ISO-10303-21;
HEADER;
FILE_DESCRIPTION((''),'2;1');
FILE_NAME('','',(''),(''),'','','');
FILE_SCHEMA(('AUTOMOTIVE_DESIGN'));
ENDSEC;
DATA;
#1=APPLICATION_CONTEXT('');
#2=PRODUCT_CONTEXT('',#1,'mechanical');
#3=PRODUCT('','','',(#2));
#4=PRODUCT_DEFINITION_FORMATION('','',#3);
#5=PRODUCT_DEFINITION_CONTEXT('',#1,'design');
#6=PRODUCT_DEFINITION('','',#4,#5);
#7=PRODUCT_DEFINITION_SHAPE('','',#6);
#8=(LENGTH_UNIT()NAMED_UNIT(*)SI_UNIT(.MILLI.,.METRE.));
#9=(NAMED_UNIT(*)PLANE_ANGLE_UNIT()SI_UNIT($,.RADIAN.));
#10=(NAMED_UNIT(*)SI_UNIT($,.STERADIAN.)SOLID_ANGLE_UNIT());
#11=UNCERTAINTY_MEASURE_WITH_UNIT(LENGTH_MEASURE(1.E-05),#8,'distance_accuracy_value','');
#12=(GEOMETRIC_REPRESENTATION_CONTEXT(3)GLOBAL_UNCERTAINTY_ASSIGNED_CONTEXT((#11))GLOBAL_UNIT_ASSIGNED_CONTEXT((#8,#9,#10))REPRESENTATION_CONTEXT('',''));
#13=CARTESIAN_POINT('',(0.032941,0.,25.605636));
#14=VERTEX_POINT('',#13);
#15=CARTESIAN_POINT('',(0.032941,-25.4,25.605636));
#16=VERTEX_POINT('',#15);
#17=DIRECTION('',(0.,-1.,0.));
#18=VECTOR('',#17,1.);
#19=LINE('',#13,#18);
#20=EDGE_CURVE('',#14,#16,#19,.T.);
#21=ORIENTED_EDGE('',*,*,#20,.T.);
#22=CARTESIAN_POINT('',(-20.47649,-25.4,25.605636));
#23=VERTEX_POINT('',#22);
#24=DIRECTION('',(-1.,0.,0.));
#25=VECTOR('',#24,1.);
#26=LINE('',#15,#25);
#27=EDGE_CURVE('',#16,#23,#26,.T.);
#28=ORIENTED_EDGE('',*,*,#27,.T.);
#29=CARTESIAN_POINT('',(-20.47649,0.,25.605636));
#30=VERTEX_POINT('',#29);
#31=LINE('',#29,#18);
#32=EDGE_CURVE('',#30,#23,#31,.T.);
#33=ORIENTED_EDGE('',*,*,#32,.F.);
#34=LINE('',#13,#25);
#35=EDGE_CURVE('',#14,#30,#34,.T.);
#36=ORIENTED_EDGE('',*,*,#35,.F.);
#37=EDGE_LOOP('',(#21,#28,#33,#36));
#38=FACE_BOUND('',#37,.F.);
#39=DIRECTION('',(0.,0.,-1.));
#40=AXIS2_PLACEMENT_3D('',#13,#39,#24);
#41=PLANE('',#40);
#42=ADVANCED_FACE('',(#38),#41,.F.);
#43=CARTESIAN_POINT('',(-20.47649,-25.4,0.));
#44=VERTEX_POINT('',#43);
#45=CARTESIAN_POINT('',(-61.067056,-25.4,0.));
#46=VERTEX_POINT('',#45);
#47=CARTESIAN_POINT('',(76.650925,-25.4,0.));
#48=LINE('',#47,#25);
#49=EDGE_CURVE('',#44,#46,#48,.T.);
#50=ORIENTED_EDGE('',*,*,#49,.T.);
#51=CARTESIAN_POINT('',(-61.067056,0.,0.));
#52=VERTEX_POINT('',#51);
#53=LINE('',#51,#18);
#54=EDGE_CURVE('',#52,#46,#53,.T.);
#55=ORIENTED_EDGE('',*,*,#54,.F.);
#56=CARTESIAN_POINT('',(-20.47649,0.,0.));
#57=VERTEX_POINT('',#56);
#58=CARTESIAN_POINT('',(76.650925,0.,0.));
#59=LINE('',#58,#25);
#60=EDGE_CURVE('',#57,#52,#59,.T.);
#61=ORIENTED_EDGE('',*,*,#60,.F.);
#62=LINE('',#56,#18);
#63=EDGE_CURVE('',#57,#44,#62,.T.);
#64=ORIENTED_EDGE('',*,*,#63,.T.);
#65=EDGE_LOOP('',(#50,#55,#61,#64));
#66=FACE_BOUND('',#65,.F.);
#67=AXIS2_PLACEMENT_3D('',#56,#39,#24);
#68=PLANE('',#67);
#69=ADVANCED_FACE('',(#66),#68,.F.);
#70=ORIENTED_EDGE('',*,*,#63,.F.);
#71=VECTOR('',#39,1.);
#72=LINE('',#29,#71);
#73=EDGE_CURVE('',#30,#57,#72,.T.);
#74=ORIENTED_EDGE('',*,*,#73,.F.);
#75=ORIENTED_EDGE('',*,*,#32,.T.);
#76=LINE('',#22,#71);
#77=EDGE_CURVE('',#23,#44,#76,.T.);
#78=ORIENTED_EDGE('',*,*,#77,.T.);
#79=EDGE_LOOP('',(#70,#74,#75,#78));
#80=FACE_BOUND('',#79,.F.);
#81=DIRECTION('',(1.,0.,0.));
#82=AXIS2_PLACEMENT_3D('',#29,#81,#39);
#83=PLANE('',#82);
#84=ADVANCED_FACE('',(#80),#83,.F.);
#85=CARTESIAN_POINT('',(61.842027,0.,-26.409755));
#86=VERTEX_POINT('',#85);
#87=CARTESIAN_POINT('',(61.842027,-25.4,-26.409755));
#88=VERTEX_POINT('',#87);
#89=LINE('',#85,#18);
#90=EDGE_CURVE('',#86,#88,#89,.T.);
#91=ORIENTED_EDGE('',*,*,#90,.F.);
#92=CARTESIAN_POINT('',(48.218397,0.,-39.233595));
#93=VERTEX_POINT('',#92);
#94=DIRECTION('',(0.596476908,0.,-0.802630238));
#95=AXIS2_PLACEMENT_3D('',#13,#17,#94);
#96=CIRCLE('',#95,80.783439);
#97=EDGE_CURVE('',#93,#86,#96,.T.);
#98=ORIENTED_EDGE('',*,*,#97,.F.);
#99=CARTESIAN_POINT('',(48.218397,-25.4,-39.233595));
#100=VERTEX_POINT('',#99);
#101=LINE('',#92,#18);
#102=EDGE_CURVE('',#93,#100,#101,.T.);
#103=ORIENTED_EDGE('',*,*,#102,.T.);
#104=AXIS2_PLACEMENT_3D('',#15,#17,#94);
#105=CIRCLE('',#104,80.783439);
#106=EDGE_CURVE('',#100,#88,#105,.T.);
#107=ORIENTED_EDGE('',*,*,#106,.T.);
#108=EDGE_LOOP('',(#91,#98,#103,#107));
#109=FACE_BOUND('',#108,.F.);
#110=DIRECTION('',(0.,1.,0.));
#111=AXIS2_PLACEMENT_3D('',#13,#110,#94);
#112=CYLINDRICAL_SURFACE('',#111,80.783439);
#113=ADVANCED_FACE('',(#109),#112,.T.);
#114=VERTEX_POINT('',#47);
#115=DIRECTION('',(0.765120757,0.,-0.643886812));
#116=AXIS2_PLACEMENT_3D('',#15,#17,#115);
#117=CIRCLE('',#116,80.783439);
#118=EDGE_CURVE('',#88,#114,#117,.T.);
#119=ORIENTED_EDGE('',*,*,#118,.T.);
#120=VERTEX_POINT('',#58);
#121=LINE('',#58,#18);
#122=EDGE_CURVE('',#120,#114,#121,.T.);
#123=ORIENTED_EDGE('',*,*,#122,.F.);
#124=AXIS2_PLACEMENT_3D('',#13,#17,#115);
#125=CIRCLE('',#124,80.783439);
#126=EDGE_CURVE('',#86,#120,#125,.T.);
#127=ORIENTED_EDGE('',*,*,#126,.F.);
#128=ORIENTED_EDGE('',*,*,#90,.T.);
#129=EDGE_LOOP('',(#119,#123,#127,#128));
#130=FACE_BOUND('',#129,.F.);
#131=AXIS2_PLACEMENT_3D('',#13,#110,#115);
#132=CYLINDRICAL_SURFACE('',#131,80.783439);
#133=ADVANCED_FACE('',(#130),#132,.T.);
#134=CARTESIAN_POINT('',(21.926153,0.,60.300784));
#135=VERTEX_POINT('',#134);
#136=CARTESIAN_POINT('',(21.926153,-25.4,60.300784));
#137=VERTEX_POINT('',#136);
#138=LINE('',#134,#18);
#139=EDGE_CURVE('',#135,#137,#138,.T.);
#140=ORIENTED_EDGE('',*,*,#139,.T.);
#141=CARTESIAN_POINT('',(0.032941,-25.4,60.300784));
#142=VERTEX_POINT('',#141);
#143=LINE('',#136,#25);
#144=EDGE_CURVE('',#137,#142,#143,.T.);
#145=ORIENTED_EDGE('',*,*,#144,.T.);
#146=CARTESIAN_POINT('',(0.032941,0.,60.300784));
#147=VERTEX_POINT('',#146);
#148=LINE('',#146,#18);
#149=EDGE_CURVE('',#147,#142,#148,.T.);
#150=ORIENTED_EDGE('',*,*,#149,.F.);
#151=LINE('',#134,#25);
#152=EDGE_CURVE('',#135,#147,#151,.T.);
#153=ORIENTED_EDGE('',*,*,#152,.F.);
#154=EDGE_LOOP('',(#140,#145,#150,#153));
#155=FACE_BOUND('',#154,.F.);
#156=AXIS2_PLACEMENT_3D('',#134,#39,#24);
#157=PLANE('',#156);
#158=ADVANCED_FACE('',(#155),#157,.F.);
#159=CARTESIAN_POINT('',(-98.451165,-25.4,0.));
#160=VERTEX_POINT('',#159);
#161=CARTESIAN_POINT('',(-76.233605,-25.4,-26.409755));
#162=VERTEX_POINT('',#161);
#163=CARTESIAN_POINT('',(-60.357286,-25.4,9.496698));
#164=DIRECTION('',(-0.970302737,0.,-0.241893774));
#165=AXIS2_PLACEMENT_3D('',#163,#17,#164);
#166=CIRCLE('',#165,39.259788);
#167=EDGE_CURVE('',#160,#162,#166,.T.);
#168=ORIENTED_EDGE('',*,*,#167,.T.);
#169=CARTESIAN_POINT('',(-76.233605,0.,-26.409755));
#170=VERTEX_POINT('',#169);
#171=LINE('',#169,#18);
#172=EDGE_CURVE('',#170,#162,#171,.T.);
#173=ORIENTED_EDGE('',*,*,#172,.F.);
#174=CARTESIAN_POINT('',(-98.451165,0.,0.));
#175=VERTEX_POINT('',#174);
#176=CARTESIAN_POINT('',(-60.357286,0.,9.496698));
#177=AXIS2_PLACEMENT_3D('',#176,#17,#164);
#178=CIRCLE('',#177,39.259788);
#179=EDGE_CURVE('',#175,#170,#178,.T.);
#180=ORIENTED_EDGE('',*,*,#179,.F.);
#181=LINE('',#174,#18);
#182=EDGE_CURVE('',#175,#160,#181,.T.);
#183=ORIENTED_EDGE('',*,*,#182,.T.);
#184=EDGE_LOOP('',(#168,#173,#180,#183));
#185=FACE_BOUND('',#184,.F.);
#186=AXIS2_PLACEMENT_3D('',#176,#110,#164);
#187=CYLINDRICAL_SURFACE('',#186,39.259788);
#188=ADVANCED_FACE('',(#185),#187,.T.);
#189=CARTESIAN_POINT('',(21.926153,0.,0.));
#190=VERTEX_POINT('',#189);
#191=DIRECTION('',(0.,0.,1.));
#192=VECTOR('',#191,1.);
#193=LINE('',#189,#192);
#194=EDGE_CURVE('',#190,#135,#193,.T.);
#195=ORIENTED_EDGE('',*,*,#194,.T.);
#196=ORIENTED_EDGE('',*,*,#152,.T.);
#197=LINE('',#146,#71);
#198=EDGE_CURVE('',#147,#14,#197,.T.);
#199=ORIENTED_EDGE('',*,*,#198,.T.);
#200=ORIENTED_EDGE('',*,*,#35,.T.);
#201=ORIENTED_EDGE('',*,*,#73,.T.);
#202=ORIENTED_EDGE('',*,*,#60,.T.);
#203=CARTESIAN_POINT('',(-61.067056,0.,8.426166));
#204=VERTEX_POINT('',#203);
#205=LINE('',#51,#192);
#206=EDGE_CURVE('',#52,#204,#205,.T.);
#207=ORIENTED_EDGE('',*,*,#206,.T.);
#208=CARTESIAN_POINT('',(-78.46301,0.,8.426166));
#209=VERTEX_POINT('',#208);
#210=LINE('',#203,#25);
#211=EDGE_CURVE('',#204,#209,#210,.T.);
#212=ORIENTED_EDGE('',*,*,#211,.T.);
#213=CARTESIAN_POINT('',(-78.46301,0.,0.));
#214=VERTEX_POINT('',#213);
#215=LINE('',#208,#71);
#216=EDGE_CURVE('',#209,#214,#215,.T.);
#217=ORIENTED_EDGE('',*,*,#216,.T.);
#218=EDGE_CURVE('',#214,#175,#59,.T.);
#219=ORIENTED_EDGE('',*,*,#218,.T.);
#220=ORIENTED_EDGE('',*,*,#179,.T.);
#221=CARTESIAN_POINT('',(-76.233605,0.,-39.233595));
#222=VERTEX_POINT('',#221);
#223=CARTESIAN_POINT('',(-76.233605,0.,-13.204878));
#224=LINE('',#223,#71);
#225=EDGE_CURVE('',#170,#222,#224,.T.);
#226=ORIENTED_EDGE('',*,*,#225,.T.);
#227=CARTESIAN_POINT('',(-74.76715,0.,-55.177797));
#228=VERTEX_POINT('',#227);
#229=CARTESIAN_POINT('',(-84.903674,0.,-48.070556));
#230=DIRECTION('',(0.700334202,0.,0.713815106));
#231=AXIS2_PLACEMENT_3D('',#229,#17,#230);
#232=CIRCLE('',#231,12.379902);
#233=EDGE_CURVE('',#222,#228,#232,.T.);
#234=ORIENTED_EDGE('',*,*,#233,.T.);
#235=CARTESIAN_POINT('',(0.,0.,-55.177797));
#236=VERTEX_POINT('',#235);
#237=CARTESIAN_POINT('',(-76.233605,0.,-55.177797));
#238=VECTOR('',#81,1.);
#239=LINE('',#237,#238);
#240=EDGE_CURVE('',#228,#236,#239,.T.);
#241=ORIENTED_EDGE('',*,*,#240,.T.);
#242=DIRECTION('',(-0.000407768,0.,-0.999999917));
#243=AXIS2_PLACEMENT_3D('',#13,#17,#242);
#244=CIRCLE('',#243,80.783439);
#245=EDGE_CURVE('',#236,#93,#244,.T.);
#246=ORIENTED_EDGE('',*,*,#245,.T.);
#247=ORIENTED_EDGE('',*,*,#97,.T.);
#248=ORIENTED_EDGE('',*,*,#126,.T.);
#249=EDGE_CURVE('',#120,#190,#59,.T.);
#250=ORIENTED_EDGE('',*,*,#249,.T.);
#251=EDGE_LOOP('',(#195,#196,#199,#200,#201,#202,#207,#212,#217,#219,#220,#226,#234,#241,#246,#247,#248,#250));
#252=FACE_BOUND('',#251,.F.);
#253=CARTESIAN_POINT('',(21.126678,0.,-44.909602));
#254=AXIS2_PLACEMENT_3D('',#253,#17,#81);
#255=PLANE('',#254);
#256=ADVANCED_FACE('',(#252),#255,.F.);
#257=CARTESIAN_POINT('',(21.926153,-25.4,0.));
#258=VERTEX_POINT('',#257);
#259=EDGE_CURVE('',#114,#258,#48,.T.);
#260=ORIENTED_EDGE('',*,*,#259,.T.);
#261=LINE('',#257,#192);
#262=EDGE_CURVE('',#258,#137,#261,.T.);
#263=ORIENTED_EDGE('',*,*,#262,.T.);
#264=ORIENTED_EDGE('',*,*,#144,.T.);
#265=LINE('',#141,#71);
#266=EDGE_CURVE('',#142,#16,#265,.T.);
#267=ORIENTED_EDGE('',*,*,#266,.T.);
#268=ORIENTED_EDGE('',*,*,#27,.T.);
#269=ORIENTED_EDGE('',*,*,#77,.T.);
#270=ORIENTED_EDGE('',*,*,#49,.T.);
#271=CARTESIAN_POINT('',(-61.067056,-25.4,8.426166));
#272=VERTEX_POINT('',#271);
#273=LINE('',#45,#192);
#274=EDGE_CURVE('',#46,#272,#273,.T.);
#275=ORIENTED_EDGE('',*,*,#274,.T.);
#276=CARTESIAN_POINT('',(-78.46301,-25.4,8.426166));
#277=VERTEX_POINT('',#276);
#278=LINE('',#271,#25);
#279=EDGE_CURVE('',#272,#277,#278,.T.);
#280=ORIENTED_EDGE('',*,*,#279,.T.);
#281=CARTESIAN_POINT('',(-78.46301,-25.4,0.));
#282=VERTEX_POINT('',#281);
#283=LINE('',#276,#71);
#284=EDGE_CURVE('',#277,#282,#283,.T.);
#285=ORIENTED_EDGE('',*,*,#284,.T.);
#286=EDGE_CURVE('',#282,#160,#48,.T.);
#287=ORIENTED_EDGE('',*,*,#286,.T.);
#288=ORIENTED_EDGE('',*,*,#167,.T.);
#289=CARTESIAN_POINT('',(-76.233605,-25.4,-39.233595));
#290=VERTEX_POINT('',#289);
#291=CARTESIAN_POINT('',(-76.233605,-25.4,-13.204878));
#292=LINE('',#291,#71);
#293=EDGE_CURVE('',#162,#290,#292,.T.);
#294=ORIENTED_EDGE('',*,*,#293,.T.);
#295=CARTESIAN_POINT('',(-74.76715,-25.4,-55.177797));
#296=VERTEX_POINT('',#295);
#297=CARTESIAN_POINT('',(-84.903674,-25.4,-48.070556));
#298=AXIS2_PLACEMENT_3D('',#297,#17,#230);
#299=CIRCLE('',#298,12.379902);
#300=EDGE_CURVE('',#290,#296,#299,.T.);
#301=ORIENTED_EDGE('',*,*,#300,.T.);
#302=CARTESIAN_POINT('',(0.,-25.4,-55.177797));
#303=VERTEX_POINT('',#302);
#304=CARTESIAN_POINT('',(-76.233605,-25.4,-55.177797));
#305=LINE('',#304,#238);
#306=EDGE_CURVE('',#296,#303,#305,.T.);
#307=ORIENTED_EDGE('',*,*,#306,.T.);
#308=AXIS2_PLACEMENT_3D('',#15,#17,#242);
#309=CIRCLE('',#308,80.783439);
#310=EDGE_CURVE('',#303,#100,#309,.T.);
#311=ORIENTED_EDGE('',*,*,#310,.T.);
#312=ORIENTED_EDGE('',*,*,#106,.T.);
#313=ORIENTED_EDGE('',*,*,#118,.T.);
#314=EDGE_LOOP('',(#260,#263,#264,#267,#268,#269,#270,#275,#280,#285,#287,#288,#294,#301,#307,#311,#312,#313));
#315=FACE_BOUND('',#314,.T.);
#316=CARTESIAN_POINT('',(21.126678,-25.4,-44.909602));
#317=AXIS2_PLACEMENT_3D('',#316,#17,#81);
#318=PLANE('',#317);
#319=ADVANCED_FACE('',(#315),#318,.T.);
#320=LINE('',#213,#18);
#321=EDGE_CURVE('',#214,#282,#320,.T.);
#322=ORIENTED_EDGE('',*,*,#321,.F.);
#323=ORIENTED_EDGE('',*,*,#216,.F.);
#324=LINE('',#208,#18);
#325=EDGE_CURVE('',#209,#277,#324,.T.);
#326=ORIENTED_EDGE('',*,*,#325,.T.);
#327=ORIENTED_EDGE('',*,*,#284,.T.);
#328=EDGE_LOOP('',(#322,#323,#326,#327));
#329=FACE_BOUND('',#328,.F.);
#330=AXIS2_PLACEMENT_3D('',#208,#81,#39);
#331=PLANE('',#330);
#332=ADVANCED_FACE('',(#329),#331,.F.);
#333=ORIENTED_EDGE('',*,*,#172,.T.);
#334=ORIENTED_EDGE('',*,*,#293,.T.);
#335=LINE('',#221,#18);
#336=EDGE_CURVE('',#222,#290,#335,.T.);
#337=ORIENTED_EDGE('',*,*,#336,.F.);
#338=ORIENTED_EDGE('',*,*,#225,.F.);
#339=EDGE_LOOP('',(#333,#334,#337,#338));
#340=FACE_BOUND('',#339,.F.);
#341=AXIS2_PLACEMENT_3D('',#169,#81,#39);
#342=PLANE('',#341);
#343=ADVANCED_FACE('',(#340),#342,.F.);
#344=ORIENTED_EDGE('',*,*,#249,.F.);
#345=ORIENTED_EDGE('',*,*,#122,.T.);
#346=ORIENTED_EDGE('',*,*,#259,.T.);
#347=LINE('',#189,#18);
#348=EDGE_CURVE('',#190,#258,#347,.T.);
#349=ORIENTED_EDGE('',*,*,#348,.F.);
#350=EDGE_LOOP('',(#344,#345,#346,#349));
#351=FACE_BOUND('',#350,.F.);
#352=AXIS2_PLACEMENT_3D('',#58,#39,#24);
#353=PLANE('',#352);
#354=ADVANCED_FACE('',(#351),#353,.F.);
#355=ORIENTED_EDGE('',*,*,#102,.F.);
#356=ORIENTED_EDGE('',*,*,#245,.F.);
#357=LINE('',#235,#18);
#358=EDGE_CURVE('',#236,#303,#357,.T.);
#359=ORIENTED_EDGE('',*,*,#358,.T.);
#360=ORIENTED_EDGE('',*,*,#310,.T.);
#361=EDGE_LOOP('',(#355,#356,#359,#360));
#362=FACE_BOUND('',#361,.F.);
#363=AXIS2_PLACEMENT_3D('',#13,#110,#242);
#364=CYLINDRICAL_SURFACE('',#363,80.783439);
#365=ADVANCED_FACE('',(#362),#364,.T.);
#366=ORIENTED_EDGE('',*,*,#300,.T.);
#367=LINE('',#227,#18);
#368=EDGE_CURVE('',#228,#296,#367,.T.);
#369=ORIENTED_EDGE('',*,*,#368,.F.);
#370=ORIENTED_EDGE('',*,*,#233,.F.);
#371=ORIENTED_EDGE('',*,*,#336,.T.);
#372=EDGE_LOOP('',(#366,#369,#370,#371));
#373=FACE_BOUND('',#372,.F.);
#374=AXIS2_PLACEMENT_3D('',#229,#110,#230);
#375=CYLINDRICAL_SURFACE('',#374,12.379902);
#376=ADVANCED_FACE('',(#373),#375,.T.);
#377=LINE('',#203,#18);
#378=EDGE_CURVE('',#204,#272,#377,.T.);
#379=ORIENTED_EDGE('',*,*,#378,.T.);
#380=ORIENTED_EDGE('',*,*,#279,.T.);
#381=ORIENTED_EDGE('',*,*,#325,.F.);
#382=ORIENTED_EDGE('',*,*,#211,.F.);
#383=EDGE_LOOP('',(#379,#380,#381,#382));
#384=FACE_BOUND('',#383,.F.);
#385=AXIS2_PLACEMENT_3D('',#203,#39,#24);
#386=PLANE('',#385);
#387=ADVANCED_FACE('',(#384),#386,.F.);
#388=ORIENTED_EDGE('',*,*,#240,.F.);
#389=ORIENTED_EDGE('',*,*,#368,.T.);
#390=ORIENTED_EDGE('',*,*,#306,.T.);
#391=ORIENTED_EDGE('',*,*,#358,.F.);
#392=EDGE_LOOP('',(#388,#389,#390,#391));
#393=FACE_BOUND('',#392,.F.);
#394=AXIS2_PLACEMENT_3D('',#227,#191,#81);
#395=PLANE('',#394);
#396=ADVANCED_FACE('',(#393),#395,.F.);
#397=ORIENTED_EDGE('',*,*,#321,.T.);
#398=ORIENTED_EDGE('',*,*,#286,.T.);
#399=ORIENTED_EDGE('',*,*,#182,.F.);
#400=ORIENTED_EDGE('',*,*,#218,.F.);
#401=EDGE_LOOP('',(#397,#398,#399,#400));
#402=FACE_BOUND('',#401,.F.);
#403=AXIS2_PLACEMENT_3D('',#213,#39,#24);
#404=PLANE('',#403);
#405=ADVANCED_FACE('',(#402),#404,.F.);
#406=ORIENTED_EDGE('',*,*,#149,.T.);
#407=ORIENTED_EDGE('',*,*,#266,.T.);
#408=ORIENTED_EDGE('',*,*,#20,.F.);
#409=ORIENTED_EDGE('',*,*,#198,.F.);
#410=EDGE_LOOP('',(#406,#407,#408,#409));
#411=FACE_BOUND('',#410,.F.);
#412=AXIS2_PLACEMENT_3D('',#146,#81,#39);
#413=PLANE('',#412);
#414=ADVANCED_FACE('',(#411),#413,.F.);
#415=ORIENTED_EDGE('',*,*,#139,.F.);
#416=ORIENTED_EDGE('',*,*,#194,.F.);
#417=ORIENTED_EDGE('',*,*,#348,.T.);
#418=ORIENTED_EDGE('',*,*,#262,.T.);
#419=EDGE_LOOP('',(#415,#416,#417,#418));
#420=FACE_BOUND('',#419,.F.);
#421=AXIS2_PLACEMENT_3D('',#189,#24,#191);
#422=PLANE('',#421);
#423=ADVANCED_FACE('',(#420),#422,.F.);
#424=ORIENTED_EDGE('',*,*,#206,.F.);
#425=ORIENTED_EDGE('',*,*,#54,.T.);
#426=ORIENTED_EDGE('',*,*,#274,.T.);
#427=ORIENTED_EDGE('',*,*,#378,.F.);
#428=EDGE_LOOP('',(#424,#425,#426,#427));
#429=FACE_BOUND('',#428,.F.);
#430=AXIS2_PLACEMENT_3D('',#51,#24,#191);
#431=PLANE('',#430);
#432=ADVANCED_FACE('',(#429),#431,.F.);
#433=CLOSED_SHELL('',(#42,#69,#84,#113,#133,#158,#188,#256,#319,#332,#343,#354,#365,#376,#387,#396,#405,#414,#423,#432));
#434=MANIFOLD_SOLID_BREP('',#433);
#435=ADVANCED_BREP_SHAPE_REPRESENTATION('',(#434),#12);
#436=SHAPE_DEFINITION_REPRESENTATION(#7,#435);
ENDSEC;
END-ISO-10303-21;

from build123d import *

# Parameters (mm, degrees)
F0_W     = 76.2336051654
F0_H     = 12.8238399291
F1_DEPTH = 25.4


with BuildPart() as f1:
    # F0 (on Front) → F1 (new body)
    with BuildSketch(Plane.XZ):
        with BuildLine():
            Line((0, -39.2335951328), (0, -55.1777966321))
            ThreePointArc((0, -55.1777966321), (25.3947344291, -51.0934089949), (48.2183970243, -39.2335951328))
            Line((48.2183970243, -39.2335951328), (0, -39.2335951328))
        make_face()
        Polygon((-74.7671502275, -55.1777966321), (0, -55.1777966321), (0, -39.2335951328), (-76.2336051654, -39.2335951328), (-76.2336051654, -55.1777966321), align=None)
        with BuildLine():
            Line((0, -39.2335951328), (48.2183970243, -39.2335951328))
            ThreePointArc((48.2183970243, -39.2335951328), (55.4027211148, -33.2174165852), (61.8420272475, -26.4097552037))
            Line((61.8420272475, -26.4097552037), (0, -26.4097552037))
            Line((0, -26.4097552037), (0, -39.2335951328))
        make_face()
        with BuildLine():
            ThreePointArc((-76.2336051654, -39.2335951328), (-97.2315440125, -49.2044021928), (-74.7671502275, -55.1777966321))
            Line((-74.7671502275, -55.1777966321), (-76.2336051654, -55.1777966321))
            Line((-76.2336051654, -55.1777966321), (-76.2336051654, -39.2335951328))
        make_face()
        with Locations((-38.1168025827, -32.8216751683)):
            Rectangle(F0_W, F0_H)
        with BuildLine():
            Line((61.8420272475, -13.3770994993), (61.8420272475, -26.4097552037))
            ThreePointArc((61.8420272475, -26.4097552037), (70.4948614625, -13.9048920781), (76.6509249806, 0))
            Line((76.6509249806, 0), (61.8420272475, 0))
            Line((61.8420272475, 0), (61.8420272475, -13.3770994993))
        make_face()
        Polygon((0, -26.4097552037), (61.8420272475, -26.4097552037), (61.8420272475, -13.3770994993), (0.0163518326, -13.2999842622), align=None)
        Polygon((-76.2336051654, -26.4097552037), (0, -26.4097552037), (0.0163518326, -13.2999842622), (-76.2336051654, -13.2048776019), align=None)
        Polygon((0.0163518326, -13.2999842622), (61.8420272475, -13.3770994993), (61.8420272475, 0), (21.9261534512, 0), (0.0329409185, 0), align=None)
        with BuildLine():
            ThreePointArc((-98.4511649107, 0), (-90.3999949354, -15.7771328177), (-76.2336051654, -26.4097552037))
            Line((-76.2336051654, -26.4097552037), (-76.2336051654, -13.2048776019))
            Line((-76.2336051654, -13.2048776019), (-76.2336051654, 0))
            Line((-76.2336051654, 0), (-78.4630104899, 0))
            Line((-78.4630104899, 0), (-98.4511649107, 0))
        make_face()
        Polygon((-76.2336051654, -13.2048776019), (0.0163518326, -13.2999842622), (0.0329409185, 0), (0, 0), (-20.4764902592, 0), (-61.0670559108, 0), (-76.2336051654, 0), align=None)
        Polygon((0.0329409185, 25.6056360344), (0.0329409185, 0), (21.9261534512, 0), (21.9261534512, 60.3007838378), (0.0329409185, 60.3007838378), align=None)
        Polygon((0, 0), (0.0329409185, 0), (0.0329409185, 25.6056360344), (-20.4764902592, 25.6056360344), (-20.4764902592, 0), align=None)
        Polygon((-78.4630104899, 0), (-76.2336051654, 0), (-61.0670559108, 0), (-61.0670559108, 8.4261661395), (-78.4630104899, 8.4261661395), align=None)
    extrude(amount=F1_DEPTH)


solid = f1.part
